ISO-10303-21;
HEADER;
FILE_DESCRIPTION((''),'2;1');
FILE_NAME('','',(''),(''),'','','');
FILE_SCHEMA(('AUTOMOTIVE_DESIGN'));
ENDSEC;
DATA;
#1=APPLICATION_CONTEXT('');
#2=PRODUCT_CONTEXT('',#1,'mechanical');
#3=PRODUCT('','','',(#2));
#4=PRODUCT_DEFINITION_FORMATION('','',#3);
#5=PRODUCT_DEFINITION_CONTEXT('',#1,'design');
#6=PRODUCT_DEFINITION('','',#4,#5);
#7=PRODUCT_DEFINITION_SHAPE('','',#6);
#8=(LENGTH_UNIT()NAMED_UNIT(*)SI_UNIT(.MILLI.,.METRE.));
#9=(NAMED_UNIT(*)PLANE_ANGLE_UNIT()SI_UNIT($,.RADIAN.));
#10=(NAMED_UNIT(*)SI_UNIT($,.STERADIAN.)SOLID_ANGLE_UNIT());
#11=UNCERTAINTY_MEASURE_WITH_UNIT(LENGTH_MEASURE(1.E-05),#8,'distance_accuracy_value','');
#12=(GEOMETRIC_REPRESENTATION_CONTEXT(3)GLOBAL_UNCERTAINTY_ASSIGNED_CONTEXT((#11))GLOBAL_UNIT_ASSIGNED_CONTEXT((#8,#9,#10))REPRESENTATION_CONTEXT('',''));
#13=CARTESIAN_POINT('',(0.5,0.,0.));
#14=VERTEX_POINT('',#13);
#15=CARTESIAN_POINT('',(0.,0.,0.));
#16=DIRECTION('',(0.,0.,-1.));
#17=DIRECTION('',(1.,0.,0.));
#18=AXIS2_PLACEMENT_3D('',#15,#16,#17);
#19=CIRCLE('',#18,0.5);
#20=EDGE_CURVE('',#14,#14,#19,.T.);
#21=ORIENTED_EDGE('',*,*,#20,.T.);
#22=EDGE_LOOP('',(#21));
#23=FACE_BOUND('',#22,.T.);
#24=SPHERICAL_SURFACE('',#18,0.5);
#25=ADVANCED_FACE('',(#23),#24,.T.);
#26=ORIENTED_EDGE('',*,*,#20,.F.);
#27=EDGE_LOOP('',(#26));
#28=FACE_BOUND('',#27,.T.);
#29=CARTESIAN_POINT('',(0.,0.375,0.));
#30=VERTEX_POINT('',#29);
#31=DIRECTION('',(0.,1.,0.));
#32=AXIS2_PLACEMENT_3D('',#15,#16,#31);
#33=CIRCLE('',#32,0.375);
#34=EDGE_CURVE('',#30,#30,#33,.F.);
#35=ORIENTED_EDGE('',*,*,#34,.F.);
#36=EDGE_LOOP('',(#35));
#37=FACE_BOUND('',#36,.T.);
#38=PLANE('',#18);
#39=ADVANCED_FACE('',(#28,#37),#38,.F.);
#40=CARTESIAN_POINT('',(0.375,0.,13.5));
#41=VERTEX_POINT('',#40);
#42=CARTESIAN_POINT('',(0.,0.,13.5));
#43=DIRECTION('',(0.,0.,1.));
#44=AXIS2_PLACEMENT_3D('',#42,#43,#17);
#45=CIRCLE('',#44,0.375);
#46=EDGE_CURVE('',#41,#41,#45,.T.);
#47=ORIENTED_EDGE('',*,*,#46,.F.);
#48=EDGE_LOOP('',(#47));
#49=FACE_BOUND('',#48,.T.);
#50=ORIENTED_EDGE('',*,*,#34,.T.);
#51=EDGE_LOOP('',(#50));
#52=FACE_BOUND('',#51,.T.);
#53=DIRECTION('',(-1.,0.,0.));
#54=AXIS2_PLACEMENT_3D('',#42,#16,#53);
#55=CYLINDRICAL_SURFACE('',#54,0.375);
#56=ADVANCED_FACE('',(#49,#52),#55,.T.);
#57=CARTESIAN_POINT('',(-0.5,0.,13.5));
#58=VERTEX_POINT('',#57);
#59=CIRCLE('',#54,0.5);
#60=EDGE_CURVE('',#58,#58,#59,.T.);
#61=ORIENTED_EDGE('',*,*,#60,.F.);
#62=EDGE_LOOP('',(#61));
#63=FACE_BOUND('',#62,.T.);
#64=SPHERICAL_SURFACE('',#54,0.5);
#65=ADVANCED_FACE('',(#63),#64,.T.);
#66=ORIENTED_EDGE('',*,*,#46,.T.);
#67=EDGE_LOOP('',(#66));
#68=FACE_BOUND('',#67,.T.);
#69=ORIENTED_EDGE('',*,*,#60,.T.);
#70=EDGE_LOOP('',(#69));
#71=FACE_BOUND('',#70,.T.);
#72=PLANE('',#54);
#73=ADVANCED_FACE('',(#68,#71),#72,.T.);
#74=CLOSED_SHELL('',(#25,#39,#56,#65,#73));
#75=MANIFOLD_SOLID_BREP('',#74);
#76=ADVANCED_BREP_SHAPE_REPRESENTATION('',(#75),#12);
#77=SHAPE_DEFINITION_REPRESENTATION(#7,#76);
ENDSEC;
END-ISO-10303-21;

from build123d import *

# Parameters (mm, degrees)
REVOLVE_1_ANGLE = 180
SKETCH_2_R      = 0.375
EXTRUDE_1_DEPTH = 13.5
REVOLVE_2_ANGLE = 180


with BuildPart() as part:
    # 草图1 → 旋转1 (revolve)
    with BuildSketch(Plane.XY):
        with BuildLine():
            Line((-0.5, 0), (0.5, 0))
            ThreePointArc((0.5, 0), (0, -0.5), (-0.5, 0))
        make_face()
    revolve(axis=Axis((-0.5, 0, 0), (1, 0, 0)), revolution_arc=REVOLVE_1_ANGLE)

    # 草图2 → 凸台-拉伸1 (add)
    with BuildSketch(Plane.XY):
        with Locations(Location((0, 0, 0), (0, 0, 90))):
            Circle(SKETCH_2_R)
    extrude(amount=EXTRUDE_1_DEPTH)

    # 草图3 → 旋转2 (revolve)
    with BuildSketch(Plane.XY.offset(13.5)):
        with BuildLine():
            Line((0, 0.5), (0, -0.5))
            ThreePointArc((0, -0.5), (-0.5, 0), (0, 0.5))
        make_face()
    revolve(axis=Axis((0, 0.5, 13.5), (0, 1, 0)), revolution_arc=REVOLVE_2_ANGLE)


solid = part.part
